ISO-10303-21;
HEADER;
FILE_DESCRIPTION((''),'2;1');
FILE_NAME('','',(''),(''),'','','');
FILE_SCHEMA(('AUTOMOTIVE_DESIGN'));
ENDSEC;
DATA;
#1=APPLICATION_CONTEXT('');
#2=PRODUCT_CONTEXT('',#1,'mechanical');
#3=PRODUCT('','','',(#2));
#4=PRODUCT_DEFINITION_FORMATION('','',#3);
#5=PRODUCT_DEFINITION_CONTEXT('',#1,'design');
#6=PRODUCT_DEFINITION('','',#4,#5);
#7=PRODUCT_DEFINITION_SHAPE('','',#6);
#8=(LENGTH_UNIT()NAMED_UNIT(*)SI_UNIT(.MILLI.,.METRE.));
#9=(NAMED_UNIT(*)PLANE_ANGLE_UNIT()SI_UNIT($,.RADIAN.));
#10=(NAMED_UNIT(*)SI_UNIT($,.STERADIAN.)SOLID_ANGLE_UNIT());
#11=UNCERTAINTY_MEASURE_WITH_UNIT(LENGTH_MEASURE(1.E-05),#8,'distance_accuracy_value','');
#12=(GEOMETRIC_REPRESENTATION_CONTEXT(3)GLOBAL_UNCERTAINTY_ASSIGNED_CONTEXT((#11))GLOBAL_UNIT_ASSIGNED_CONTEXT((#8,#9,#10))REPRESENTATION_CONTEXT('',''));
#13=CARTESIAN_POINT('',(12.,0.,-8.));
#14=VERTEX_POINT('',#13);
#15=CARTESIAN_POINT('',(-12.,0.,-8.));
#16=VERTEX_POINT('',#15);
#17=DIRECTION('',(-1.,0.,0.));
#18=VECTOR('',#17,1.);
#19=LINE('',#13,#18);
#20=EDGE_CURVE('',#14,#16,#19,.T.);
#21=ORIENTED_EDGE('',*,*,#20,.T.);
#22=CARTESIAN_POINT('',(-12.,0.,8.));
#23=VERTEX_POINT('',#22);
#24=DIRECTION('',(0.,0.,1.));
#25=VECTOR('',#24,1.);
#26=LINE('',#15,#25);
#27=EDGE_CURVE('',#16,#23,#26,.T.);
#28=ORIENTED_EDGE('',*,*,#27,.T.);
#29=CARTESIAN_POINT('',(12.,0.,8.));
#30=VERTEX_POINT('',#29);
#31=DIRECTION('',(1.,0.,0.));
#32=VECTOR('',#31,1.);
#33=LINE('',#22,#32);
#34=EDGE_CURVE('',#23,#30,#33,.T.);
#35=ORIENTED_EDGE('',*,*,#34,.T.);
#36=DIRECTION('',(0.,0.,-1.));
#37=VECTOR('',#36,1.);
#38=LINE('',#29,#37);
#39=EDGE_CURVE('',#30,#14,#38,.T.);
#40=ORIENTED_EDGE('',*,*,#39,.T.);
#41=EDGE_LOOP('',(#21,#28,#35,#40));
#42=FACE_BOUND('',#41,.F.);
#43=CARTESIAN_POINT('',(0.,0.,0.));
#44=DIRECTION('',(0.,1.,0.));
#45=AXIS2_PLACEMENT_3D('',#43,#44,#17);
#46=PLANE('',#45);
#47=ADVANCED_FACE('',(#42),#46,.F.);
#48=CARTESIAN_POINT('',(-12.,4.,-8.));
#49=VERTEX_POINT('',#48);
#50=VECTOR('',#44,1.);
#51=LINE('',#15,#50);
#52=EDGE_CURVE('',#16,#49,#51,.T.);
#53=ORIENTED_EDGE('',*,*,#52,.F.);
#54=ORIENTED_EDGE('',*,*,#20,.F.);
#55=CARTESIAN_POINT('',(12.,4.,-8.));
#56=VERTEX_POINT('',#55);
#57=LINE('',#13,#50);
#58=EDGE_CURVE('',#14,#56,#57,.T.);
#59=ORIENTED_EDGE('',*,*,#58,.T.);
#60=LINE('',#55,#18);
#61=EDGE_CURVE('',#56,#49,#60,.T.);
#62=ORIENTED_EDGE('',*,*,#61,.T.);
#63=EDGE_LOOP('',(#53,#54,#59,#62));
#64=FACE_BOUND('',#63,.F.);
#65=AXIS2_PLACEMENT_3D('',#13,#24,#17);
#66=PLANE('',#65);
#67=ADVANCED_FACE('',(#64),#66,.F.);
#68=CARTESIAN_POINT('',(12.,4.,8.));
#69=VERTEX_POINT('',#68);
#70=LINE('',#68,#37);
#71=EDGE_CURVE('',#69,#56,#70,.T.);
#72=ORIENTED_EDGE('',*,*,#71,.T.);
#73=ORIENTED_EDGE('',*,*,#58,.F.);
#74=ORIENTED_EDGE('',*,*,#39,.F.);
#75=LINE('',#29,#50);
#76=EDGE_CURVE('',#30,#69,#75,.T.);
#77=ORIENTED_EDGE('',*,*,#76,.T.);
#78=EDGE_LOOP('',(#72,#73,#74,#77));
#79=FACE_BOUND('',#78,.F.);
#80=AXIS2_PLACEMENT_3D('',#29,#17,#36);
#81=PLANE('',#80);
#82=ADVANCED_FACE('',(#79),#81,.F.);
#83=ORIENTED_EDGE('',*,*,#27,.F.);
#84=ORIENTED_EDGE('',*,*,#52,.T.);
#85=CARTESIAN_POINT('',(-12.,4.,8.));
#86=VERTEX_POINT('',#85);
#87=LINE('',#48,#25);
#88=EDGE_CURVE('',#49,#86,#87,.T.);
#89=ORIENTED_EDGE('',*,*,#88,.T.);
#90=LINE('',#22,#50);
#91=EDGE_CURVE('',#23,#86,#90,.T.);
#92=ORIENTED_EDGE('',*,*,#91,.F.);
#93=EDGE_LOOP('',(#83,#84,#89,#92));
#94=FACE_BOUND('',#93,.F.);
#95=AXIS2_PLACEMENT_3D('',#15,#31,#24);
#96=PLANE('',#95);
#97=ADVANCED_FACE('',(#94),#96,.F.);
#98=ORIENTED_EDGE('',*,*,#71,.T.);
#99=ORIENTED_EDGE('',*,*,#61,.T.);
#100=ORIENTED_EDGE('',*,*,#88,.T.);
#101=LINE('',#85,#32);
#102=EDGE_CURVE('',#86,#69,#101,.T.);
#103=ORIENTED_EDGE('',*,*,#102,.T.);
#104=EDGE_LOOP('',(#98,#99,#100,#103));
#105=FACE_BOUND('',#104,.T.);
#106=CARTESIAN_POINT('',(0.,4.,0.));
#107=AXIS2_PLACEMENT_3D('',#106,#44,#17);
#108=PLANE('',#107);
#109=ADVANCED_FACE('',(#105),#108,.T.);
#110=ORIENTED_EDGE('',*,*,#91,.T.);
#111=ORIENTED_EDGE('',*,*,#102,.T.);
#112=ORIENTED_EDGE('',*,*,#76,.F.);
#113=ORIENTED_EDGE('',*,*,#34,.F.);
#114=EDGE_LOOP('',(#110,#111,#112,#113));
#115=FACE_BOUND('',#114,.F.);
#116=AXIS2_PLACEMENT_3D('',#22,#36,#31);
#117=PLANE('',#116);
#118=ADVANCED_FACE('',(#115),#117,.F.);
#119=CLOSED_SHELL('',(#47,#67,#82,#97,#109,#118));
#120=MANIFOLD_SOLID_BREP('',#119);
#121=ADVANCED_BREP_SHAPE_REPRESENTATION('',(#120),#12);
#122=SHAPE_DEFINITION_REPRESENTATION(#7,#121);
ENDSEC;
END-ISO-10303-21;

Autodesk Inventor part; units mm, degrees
ref_plane "YZ Plane" through (0, 0, 0) normal (1, 0, 0) x (0, 1, 0)
ref_plane "XZ Plane" through (0, 0, 0) normal (0, 1, 0) x (-1, 0, 0)
ref_plane "XY Plane" through (0, 0, 0) normal (0, 0, 1) x (1, 0, 0)
sketch "Sketch1" plane through (0, 0, 0) normal (0, 1, 0) x (-1, 0, 0)
  line L0 (-12, -8) -> (12, -8)
  line L1 (12, -8) -> (12, 8)
  line L2 (12, 8) -> (-12, 8)
  line L3 (-12, 8) -> (-12, -8)
  line L4 (-12, -8) -> (12, 8) construction
  line L5 (12, -8) -> (-12, 8) construction
  point P0 (0, 0)
extrude "Extrusion1" add sketch "Sketch1" along normal blind 4
properties part number "InventorCell"
